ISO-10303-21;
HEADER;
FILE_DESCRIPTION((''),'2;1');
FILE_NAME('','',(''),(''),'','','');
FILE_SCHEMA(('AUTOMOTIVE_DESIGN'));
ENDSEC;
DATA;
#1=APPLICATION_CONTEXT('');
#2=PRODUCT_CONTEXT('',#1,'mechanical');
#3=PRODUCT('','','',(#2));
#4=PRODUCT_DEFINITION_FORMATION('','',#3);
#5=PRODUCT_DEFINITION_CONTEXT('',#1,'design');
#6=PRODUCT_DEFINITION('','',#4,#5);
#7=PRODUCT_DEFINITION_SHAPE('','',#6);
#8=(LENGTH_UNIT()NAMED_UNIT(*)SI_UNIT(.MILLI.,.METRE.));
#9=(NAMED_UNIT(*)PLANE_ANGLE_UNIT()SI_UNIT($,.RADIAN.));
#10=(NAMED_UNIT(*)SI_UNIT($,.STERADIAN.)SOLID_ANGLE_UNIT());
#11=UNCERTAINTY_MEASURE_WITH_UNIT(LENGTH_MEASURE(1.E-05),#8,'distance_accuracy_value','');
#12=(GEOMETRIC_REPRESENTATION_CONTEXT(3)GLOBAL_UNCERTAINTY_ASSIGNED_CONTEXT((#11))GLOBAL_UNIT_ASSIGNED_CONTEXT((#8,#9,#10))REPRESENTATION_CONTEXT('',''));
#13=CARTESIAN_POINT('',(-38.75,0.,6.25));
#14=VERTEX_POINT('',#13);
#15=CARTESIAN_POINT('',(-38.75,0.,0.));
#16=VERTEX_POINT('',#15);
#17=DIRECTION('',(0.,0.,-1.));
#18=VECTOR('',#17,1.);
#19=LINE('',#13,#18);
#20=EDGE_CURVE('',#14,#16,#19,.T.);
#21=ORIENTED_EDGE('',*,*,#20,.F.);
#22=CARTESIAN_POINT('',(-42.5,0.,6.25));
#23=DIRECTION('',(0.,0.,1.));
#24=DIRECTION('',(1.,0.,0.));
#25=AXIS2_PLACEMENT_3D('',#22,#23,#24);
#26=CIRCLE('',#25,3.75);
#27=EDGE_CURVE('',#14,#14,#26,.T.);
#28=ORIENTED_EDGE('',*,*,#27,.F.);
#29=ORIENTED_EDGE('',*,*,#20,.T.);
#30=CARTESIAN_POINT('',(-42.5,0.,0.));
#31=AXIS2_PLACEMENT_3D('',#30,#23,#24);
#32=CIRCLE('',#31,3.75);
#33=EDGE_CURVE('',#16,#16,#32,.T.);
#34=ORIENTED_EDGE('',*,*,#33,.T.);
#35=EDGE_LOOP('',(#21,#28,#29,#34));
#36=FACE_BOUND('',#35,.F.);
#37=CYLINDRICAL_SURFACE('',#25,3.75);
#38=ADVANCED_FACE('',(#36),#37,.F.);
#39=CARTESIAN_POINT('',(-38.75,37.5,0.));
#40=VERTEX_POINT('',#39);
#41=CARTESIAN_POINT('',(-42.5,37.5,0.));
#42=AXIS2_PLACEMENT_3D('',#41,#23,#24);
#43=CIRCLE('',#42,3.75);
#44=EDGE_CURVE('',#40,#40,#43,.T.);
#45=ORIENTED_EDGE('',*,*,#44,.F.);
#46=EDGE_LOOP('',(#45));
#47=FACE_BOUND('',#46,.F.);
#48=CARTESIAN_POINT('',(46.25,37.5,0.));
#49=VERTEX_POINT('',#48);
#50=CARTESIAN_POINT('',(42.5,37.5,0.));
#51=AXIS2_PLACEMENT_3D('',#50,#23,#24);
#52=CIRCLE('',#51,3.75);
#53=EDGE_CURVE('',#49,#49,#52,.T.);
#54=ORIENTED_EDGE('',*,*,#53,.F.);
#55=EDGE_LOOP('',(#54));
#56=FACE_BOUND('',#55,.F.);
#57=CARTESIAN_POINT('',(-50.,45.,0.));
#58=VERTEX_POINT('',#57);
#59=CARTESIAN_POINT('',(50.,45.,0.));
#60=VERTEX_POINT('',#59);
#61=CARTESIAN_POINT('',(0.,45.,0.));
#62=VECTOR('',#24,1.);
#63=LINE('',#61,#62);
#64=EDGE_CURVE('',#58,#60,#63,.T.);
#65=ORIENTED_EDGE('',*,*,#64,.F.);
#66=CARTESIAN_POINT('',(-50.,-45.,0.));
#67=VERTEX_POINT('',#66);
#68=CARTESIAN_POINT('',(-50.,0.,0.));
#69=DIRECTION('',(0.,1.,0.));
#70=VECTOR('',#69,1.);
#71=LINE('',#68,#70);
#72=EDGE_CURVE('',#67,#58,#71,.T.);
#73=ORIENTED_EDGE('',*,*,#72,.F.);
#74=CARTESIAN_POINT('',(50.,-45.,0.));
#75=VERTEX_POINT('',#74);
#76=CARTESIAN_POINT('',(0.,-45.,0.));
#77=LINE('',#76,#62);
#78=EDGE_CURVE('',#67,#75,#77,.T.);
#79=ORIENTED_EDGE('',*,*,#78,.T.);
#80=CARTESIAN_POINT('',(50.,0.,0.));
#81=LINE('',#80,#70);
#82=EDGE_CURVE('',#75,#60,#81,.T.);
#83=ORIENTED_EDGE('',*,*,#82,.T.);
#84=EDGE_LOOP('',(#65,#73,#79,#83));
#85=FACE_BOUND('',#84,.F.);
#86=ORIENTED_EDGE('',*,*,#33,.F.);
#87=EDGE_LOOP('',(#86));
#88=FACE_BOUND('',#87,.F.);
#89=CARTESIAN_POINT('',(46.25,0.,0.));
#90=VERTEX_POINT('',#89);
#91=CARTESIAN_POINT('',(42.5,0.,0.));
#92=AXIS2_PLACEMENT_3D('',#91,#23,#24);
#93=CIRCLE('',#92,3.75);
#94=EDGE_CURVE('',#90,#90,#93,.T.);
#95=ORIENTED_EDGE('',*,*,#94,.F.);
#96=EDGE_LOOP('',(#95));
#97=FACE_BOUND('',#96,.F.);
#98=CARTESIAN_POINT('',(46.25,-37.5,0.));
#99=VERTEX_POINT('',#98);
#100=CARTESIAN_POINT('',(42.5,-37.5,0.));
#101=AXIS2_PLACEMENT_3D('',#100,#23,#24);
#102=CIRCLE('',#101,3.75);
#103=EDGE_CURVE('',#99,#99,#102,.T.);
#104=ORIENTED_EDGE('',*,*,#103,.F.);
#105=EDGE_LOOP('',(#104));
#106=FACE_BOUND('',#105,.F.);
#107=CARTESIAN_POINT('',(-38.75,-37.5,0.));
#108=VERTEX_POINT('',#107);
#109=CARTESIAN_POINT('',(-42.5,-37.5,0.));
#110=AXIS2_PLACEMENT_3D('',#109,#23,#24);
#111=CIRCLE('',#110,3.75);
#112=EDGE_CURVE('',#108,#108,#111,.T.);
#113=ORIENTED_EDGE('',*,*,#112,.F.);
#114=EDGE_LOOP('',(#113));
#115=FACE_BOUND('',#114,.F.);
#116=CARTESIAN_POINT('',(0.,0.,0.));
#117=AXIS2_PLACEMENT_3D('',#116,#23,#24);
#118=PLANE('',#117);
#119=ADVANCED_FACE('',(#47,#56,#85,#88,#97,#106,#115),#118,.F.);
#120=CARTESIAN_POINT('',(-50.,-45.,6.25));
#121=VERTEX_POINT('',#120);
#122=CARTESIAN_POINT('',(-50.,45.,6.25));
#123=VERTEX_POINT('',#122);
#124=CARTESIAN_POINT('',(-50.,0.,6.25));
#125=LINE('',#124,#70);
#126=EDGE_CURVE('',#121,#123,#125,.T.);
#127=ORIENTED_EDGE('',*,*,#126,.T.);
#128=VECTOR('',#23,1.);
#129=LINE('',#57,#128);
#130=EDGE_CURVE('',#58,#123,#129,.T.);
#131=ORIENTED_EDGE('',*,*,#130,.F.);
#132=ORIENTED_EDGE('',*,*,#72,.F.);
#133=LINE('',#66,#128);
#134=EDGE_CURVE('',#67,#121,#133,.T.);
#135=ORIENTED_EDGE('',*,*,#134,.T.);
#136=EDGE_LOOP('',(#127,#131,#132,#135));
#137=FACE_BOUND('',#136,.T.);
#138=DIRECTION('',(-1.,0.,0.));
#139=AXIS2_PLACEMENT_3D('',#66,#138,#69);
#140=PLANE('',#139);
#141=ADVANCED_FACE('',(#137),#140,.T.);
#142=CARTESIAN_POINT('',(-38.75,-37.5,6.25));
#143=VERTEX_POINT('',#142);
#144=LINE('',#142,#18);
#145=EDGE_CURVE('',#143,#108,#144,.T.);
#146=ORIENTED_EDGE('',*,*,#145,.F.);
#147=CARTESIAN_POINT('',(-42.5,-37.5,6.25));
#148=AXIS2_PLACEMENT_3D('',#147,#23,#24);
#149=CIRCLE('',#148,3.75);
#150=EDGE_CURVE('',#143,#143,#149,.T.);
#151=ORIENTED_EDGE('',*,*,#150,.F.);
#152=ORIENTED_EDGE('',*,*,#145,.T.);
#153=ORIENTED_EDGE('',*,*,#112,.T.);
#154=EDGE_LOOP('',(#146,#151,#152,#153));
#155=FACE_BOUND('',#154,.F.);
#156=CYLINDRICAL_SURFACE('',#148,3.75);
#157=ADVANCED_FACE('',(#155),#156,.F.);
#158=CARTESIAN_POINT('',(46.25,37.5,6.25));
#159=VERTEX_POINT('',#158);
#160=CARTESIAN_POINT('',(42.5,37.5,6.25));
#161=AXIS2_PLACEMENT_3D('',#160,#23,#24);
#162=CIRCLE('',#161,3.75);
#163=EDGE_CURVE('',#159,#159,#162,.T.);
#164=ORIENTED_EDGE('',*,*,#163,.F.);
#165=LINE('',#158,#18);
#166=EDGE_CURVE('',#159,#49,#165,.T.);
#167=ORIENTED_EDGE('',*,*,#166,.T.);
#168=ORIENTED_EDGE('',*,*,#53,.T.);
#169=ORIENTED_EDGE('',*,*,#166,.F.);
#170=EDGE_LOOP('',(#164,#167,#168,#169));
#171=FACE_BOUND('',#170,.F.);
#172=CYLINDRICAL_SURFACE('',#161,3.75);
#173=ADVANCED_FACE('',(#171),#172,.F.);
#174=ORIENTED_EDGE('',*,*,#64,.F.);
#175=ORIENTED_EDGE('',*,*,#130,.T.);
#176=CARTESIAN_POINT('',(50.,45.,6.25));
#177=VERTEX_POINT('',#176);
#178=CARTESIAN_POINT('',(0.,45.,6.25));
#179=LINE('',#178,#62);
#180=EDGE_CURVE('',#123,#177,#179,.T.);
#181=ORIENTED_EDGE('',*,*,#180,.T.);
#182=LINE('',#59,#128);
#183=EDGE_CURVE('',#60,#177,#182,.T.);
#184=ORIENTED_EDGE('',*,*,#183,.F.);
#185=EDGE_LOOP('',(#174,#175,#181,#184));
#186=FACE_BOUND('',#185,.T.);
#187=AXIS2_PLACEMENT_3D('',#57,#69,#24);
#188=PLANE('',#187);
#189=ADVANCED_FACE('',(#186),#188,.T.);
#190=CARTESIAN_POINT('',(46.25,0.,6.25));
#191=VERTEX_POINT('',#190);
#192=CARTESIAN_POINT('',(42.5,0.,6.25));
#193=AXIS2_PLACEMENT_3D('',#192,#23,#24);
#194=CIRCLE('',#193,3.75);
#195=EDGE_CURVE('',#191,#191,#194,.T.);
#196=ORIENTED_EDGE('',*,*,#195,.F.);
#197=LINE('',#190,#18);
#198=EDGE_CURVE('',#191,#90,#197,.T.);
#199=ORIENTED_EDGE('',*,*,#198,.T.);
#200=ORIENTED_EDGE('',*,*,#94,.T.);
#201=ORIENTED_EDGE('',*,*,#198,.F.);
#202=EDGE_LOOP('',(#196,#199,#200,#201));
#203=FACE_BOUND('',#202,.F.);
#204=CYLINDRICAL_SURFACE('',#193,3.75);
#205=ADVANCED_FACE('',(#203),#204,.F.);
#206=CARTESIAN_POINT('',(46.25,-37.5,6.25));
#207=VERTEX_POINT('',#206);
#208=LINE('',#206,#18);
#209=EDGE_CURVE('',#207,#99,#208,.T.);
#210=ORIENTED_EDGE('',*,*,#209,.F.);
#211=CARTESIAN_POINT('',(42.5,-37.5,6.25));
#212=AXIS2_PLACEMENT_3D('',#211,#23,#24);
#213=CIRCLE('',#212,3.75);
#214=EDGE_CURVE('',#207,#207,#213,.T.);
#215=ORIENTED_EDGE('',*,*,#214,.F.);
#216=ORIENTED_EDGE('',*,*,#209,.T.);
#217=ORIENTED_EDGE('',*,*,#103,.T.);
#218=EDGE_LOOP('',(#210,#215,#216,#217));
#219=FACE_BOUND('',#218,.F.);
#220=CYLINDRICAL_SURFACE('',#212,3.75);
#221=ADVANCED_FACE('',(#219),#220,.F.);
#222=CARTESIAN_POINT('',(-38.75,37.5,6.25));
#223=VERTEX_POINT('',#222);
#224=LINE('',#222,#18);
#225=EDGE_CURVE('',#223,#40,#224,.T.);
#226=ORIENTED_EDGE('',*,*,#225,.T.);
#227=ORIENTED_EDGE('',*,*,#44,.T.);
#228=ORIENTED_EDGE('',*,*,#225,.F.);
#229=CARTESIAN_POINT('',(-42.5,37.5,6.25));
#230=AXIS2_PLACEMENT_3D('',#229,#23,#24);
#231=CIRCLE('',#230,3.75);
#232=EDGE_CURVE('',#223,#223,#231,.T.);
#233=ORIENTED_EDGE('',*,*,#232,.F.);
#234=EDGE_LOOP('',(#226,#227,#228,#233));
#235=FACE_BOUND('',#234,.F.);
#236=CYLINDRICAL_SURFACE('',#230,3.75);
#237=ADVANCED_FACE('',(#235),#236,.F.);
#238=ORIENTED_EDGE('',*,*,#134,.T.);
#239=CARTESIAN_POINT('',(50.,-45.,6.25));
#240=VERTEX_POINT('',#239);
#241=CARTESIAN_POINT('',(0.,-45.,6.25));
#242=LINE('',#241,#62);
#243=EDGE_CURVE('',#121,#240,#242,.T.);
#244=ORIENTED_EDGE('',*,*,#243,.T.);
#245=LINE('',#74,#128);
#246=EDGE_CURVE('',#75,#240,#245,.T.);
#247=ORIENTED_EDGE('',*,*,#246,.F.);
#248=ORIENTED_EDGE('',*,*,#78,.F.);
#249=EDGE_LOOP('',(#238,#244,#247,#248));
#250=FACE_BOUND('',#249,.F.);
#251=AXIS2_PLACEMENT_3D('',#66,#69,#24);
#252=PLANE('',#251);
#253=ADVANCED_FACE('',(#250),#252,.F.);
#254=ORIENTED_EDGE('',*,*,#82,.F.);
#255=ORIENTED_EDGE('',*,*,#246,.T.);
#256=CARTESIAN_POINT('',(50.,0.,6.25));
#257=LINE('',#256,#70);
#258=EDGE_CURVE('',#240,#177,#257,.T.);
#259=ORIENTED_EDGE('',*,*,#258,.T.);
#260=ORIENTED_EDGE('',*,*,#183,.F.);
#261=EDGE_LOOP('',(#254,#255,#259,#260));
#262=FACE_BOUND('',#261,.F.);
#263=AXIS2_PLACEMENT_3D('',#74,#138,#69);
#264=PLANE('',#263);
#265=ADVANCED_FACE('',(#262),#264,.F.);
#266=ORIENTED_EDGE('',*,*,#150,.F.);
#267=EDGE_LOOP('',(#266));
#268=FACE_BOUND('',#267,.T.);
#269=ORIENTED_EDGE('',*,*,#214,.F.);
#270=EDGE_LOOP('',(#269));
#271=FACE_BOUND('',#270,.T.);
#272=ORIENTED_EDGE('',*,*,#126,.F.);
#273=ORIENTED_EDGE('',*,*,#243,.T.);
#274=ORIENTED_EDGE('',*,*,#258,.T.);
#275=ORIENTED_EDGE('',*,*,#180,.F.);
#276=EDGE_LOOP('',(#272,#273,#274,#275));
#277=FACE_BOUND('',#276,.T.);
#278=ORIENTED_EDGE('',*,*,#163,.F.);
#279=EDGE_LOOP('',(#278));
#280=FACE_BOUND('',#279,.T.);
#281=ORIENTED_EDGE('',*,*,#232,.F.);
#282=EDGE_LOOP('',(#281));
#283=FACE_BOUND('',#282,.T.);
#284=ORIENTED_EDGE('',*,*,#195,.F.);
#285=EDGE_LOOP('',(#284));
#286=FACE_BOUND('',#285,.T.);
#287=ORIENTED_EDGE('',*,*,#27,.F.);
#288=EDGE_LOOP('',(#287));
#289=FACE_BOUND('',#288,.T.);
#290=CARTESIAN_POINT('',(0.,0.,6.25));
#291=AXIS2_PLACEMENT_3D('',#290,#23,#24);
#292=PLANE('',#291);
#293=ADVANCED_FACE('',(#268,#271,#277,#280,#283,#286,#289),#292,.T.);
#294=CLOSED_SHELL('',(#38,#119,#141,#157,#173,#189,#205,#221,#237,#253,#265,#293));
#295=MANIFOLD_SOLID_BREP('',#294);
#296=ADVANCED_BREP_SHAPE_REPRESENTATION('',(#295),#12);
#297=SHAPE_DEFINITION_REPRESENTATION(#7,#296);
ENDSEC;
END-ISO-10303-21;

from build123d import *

# Parameters (mm, degrees)
F0_W     = 100
F0_H     = 90
F1_DEPTH = 6.25
F2_R     = 3.75
F3_DEPTH = 25


with BuildPart() as f1:
    # F0 (on Top) → F1 (new body)
    with BuildSketch(Plane.XY):
        Rectangle(F0_W, F0_H)
    extrude(amount=F1_DEPTH)

    # F2 (on face) → F3 (cut)
    with BuildSketch(Plane.XY.offset(6.25)):
        with Locations((-42.5, 37.5)):
            Circle(F2_R)
        with Locations((-42.5, -37.5)):
            Circle(F2_R)
        with Locations((-42.5, 0)):
            Circle(F2_R)
        with Locations((42.5, 37.5)):
            Circle(F2_R)
        with Locations((42.5, 0)):
            Circle(F2_R)
        with Locations((42.5, -37.5)):
            Circle(F2_R)
    extrude(amount=-F3_DEPTH, mode=Mode.SUBTRACT)


solid = f1.part
